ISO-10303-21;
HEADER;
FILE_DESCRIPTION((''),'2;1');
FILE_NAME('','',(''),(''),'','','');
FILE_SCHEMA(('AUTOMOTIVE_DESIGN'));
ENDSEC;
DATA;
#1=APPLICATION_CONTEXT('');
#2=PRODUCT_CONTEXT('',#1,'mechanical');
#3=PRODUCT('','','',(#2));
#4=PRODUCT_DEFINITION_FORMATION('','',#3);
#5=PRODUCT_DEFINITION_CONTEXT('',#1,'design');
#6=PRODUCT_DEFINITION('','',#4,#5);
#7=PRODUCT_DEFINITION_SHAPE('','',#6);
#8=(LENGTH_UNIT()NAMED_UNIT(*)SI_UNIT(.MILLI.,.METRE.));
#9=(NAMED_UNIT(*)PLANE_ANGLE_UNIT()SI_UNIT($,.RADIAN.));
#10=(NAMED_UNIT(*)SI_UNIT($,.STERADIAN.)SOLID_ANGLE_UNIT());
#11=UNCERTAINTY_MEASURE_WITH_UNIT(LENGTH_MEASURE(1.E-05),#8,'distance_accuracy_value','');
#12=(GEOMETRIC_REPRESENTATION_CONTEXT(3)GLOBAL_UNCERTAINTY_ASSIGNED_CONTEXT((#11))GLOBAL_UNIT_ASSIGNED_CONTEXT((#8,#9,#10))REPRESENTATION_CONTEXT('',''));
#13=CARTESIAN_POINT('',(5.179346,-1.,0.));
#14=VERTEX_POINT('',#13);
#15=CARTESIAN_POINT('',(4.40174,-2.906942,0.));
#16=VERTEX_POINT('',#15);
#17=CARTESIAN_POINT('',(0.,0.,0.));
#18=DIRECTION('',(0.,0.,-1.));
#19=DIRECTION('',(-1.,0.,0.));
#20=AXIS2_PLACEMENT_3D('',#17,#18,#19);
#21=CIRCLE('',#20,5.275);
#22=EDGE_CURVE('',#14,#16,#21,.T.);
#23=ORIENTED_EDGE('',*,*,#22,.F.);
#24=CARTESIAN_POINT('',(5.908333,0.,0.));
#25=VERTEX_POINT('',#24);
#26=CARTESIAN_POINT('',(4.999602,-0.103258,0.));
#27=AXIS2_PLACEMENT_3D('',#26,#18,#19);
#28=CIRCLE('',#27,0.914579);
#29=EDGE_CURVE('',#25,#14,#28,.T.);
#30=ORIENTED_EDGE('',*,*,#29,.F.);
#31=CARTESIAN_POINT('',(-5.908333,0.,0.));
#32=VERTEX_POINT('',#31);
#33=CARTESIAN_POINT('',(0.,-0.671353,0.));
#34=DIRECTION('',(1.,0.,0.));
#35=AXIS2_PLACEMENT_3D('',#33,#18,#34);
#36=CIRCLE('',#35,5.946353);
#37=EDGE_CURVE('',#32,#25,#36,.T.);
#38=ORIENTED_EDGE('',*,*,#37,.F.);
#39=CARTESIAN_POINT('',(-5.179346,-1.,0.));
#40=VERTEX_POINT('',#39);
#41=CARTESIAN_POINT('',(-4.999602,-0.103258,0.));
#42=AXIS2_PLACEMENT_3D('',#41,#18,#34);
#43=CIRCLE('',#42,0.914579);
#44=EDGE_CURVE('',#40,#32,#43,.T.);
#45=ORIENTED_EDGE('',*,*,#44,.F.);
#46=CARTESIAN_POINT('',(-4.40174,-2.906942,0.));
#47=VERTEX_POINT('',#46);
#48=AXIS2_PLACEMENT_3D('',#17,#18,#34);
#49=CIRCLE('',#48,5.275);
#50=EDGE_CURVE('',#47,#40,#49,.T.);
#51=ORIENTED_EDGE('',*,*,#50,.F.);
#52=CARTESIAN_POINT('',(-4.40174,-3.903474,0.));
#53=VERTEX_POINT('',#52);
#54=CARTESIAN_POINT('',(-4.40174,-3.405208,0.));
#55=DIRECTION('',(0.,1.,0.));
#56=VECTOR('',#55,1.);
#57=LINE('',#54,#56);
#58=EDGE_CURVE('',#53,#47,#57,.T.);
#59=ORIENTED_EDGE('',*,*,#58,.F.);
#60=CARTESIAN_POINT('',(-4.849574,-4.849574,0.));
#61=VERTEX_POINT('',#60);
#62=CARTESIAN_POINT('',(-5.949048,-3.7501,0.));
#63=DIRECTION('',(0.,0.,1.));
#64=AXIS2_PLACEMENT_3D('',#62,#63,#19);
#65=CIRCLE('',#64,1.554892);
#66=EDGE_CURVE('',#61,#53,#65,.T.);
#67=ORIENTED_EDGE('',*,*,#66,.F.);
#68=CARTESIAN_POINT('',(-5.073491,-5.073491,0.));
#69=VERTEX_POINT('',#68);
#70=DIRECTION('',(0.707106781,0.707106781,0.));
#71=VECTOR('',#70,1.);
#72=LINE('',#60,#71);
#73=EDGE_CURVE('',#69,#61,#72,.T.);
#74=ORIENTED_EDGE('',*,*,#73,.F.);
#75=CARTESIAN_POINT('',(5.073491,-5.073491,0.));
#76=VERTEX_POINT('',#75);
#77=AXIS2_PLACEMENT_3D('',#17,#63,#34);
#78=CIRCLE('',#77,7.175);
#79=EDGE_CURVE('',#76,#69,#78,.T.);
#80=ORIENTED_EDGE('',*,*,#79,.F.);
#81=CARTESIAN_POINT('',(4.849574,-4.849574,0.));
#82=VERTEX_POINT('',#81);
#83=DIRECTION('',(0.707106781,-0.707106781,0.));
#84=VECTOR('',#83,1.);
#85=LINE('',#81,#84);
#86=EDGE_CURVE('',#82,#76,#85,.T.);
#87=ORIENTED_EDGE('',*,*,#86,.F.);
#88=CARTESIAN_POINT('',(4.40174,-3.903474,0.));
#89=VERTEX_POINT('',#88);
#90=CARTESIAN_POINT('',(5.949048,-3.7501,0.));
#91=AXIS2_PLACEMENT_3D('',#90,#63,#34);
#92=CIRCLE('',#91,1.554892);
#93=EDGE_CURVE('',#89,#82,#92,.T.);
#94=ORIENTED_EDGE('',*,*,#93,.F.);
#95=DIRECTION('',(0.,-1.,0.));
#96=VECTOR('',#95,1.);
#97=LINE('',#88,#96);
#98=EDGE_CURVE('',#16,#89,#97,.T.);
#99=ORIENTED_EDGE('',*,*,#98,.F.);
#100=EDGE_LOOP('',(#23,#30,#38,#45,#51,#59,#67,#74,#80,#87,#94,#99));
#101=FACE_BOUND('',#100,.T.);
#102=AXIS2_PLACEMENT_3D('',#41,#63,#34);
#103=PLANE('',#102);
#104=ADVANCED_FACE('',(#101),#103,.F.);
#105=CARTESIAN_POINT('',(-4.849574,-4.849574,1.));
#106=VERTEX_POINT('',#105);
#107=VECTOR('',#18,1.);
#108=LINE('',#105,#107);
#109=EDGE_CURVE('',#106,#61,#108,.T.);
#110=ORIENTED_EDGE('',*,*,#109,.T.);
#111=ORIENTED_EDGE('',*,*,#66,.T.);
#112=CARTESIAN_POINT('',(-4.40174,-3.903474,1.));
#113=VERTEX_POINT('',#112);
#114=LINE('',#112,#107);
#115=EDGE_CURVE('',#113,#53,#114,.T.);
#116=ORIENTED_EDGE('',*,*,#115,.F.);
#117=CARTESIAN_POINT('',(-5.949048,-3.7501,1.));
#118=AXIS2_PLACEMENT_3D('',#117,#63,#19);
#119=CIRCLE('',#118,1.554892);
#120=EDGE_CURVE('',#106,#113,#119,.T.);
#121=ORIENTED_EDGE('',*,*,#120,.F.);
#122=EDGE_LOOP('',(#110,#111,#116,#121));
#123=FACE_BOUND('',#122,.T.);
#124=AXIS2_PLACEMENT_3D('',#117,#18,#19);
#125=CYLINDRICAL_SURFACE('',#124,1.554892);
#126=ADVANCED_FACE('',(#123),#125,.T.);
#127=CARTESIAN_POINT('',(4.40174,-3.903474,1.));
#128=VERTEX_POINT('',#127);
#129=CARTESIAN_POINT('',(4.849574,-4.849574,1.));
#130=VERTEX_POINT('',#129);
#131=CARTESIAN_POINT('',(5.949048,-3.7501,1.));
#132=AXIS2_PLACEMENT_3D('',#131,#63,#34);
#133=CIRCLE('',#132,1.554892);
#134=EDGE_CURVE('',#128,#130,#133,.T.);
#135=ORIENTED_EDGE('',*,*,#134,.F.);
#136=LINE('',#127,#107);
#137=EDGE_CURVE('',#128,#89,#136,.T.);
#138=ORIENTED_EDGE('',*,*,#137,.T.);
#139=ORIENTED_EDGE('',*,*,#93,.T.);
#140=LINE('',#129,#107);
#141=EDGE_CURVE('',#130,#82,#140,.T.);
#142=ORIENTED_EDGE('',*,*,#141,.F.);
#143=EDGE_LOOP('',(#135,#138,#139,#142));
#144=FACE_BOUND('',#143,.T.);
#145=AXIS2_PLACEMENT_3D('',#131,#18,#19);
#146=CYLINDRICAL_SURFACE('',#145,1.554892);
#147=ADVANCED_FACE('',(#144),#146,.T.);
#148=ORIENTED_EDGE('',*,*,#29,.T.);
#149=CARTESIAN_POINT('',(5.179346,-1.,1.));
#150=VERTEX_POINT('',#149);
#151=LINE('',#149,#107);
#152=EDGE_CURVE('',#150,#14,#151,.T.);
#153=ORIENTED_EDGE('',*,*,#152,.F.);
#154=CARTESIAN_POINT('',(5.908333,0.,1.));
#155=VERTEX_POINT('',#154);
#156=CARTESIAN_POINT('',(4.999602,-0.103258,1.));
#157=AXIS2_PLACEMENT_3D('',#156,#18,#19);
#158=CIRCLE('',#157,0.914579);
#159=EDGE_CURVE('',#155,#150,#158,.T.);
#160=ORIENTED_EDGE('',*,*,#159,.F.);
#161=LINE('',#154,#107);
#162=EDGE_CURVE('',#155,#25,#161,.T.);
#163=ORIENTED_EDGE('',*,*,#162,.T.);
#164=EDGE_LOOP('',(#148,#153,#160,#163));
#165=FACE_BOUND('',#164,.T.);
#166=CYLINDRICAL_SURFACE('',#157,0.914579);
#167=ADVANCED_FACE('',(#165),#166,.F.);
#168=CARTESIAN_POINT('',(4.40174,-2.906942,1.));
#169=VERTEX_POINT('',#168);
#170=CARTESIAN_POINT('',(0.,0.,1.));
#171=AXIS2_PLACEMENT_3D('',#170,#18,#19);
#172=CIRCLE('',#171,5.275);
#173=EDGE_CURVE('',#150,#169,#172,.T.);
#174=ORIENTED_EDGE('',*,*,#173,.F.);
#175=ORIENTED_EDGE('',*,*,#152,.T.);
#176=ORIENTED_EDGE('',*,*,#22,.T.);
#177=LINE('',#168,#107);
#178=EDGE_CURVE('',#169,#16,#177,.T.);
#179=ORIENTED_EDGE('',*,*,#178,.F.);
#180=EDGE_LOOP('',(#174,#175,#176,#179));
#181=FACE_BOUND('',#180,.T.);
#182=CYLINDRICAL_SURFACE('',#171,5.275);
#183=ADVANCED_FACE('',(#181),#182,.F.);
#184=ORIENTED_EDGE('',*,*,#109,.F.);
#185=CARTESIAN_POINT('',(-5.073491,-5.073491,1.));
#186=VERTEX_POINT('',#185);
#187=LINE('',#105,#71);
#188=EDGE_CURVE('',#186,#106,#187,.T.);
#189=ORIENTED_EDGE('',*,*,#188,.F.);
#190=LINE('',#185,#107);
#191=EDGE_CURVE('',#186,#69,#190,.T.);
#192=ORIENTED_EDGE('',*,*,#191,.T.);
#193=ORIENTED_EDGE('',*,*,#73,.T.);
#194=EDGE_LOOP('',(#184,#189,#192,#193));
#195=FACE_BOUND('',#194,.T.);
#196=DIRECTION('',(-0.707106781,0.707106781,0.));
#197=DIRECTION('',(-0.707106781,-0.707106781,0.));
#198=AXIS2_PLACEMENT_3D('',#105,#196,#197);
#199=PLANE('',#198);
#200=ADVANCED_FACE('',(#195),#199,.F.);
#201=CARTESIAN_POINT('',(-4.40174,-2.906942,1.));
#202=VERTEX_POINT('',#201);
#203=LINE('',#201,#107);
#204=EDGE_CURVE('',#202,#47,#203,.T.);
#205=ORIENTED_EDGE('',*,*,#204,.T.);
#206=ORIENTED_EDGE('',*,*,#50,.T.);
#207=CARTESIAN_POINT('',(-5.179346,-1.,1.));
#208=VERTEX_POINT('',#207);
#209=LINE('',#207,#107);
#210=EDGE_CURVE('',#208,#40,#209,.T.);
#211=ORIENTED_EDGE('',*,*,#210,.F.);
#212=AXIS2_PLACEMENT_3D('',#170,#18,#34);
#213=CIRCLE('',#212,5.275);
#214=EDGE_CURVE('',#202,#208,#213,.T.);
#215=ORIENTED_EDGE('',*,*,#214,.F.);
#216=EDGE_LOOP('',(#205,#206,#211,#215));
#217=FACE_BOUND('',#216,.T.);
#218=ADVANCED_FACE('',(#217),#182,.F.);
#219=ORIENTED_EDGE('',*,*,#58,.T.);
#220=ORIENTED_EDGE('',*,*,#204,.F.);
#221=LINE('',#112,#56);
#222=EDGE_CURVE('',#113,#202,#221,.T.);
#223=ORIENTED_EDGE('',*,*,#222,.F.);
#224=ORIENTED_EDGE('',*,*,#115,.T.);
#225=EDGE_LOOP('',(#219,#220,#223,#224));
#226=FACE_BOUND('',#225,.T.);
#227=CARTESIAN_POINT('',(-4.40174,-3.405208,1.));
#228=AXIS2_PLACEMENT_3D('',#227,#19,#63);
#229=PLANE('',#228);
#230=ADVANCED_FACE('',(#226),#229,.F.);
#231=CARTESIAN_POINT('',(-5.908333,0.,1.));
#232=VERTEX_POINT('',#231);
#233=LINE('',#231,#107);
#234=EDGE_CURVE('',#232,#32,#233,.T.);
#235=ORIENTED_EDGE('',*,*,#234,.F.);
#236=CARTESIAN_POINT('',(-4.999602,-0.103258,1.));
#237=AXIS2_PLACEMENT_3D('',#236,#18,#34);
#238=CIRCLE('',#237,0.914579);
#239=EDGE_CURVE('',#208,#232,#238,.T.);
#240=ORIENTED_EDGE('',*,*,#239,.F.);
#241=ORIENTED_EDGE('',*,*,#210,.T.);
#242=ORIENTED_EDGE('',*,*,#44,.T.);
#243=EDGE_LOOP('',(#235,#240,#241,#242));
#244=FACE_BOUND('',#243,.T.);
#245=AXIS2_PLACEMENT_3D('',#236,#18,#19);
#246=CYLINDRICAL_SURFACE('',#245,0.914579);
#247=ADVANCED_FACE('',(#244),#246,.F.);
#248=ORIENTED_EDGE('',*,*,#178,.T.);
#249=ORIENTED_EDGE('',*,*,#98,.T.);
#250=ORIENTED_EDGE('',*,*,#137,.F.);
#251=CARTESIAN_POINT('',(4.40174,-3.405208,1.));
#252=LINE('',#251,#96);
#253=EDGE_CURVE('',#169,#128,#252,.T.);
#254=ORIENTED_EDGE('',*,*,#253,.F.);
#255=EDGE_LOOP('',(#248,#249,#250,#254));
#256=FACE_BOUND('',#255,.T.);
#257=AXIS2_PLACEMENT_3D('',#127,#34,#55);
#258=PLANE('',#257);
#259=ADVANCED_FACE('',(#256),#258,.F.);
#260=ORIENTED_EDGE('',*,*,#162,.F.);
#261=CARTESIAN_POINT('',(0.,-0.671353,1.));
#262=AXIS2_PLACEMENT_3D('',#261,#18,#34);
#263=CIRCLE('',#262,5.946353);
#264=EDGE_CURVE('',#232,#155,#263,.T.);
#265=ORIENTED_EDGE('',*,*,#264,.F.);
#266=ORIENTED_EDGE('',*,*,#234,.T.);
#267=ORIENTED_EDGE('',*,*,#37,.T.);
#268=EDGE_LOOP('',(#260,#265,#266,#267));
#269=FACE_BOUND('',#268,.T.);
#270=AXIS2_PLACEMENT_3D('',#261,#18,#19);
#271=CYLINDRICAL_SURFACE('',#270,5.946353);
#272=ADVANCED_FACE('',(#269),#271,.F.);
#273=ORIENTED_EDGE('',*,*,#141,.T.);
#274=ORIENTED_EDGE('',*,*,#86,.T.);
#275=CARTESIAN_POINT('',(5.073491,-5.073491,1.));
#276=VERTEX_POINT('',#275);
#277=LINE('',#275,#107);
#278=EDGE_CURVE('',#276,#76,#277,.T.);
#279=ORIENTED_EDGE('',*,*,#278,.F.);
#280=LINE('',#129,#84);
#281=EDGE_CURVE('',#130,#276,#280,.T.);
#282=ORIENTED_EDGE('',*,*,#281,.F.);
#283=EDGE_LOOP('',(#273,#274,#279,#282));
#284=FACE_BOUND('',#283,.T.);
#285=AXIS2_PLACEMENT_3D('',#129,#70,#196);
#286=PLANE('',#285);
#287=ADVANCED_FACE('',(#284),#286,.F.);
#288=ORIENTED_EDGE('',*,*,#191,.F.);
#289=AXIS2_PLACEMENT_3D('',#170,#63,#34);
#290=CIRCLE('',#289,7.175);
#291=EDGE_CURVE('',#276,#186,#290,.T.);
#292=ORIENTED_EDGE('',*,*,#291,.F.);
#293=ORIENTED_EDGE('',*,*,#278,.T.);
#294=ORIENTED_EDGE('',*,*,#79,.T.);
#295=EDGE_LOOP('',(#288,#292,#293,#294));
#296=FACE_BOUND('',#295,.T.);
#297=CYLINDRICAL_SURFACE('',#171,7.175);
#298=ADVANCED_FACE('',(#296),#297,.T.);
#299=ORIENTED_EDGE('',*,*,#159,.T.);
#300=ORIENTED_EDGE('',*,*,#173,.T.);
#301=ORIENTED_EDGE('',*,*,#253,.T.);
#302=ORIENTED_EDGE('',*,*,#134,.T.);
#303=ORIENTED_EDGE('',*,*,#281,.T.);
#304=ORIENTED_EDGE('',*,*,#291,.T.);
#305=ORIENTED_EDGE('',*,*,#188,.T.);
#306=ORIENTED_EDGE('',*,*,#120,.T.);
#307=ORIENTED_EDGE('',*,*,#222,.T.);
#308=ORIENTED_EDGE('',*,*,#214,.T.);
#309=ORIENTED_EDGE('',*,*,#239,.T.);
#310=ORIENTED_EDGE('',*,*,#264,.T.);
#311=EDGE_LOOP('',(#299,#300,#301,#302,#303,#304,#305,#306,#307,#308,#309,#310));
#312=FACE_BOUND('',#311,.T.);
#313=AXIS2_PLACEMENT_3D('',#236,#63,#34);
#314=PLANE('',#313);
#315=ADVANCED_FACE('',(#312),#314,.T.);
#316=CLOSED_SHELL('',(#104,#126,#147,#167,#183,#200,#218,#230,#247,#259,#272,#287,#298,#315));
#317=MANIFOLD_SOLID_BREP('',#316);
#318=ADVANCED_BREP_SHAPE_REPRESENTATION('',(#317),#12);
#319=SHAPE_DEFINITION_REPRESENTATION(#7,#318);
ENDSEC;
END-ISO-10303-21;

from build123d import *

# Parameters (mm, degrees)
BOSS_EXTRUDE1_DEPTH = 1


with BuildPart() as part:
    # Sketch2 → Boss-Extrude1 (new body)
    with BuildSketch(Plane.XY):
        with BuildLine():
            Line((-4.401739713, -3.903473849), (-4.401739713, -3.405207986))
            Line((-4.401739713, -3.405207986), (-4.401739713, -2.906942122))
            ThreePointArc((-4.401739713, -2.906942122), (-4.884506928, -1.991787406), (-5.179346001, -1))
            ThreePointArc((-5.179346001, -1), (-5.738651784, -0.642015565), (-5.908333333, 0))
            ThreePointArc((-5.908333333, 0), (0, 5.275), (5.908333333, 0))
            ThreePointArc((5.908333333, 0), (5.738651784, -0.642015565), (5.179346001, -1))
            ThreePointArc((5.179346001, -1), (4.884506928, -1.991787406), (4.401739713, -2.906942122))
            Line((4.401739713, -2.906942122), (4.401739713, -3.405207986))
            Line((4.401739713, -3.405207986), (4.401739713, -3.903473849))
            ThreePointArc((4.401739713, -3.903473849), (4.543651106, -4.41534116), (4.849574008, -4.849574008))
            Line((4.849574008, -4.849574008), (5.073491155, -5.073491155))
            ThreePointArc((5.073491155, -5.073491155), (0, 7.175), (-5.073491155, -5.073491155))
            Line((-5.073491155, -5.073491155), (-4.849574008, -4.849574008))
            ThreePointArc((-4.849574008, -4.849574008), (-4.543651106, -4.41534116), (-4.401739713, -3.903473849))
        make_face()
    extrude(amount=BOSS_EXTRUDE1_DEPTH)


solid = part.part
